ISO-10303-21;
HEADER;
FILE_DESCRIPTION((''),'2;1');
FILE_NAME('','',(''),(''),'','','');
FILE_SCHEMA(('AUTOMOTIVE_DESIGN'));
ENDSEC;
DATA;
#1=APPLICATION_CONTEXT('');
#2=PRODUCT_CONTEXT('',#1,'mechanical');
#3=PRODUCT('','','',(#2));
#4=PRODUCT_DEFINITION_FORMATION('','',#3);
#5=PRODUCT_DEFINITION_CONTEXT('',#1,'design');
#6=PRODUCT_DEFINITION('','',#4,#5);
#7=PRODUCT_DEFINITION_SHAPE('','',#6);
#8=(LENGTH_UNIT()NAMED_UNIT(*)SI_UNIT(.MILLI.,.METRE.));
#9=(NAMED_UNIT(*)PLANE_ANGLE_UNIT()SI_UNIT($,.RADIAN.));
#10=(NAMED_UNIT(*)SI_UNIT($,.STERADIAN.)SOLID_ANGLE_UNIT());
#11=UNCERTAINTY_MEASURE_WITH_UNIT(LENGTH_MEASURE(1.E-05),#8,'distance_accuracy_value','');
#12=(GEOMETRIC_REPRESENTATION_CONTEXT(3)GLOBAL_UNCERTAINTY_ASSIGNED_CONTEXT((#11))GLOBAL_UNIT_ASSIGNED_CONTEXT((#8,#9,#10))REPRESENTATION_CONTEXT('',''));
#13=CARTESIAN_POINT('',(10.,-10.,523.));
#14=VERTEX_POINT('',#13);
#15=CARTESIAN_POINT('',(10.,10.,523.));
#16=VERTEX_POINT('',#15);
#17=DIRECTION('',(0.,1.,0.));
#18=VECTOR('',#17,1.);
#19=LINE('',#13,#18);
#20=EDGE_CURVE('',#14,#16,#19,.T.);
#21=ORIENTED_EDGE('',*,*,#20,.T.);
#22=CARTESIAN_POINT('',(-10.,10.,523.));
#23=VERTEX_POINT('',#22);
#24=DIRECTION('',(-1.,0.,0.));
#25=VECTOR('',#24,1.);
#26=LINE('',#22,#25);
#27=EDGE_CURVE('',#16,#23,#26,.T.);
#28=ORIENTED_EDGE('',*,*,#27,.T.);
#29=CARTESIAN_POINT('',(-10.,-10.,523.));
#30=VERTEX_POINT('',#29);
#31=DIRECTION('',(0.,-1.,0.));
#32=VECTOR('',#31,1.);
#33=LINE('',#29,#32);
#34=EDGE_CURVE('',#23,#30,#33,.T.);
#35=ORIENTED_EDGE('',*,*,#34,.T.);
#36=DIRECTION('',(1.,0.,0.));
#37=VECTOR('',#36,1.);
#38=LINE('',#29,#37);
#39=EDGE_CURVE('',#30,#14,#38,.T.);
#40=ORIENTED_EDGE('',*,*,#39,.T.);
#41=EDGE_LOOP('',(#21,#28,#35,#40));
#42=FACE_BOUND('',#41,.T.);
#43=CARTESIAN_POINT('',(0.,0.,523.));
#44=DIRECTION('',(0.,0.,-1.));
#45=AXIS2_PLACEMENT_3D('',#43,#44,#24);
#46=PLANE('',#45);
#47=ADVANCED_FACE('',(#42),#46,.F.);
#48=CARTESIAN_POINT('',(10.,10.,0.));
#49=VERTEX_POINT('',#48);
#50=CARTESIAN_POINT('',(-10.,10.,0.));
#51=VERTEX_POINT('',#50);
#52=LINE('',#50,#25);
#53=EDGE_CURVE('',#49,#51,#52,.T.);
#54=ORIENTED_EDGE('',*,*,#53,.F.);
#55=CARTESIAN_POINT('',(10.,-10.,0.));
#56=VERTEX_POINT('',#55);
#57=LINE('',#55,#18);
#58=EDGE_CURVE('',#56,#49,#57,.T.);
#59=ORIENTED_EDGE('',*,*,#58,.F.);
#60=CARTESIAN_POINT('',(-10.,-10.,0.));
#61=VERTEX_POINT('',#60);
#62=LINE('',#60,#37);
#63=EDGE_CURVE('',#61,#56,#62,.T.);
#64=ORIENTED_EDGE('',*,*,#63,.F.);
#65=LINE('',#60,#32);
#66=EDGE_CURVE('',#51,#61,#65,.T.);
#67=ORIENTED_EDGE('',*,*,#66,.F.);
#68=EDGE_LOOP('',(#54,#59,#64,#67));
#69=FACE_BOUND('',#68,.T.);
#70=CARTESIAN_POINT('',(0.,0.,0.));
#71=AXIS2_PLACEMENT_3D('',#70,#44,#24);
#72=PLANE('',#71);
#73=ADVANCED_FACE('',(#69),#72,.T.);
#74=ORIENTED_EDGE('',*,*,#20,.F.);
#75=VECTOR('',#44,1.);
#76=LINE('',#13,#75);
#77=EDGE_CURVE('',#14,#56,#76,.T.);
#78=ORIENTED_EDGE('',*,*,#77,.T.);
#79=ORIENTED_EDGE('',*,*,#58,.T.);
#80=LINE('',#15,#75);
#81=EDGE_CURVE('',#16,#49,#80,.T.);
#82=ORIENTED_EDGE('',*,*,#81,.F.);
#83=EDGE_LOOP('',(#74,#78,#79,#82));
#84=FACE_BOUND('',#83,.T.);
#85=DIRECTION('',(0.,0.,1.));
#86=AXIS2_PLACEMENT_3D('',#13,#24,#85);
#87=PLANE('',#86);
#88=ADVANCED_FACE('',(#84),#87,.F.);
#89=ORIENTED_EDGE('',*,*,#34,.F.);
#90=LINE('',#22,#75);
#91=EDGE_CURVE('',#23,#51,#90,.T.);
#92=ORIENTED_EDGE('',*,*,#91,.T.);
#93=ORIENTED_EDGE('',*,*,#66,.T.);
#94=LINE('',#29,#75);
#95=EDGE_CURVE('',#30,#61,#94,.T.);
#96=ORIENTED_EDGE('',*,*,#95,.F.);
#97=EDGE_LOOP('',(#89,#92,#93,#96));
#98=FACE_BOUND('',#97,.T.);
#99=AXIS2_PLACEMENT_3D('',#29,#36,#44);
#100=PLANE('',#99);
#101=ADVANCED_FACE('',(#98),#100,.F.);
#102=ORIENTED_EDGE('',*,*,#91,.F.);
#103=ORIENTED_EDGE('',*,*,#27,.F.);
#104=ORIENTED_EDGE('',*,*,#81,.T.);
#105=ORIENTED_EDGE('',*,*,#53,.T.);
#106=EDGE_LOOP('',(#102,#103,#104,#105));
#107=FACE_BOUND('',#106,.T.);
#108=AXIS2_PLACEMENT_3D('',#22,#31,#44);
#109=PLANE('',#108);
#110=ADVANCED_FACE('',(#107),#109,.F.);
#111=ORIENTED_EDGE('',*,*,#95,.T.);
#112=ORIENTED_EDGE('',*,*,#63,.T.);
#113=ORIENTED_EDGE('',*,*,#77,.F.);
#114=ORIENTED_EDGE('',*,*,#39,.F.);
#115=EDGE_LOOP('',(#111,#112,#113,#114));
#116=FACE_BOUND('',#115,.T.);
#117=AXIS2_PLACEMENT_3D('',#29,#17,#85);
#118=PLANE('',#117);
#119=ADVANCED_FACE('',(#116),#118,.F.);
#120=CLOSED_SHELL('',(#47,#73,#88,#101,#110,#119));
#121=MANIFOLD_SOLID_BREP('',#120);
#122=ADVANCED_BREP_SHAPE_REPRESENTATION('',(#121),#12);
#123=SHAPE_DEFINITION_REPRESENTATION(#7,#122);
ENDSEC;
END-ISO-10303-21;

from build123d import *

# Parameters (mm, degrees)
SKETCH1_W           = 20
SKETCH1_H           = 20
BOSS_EXTRUDE1_DEPTH = 523


with BuildPart() as part:
    # Sketch1 → Boss-Extrude1 (new body)
    with BuildSketch(Plane.XY):
        Rectangle(SKETCH1_W, SKETCH1_H)
    extrude(amount=BOSS_EXTRUDE1_DEPTH)


solid = part.part
